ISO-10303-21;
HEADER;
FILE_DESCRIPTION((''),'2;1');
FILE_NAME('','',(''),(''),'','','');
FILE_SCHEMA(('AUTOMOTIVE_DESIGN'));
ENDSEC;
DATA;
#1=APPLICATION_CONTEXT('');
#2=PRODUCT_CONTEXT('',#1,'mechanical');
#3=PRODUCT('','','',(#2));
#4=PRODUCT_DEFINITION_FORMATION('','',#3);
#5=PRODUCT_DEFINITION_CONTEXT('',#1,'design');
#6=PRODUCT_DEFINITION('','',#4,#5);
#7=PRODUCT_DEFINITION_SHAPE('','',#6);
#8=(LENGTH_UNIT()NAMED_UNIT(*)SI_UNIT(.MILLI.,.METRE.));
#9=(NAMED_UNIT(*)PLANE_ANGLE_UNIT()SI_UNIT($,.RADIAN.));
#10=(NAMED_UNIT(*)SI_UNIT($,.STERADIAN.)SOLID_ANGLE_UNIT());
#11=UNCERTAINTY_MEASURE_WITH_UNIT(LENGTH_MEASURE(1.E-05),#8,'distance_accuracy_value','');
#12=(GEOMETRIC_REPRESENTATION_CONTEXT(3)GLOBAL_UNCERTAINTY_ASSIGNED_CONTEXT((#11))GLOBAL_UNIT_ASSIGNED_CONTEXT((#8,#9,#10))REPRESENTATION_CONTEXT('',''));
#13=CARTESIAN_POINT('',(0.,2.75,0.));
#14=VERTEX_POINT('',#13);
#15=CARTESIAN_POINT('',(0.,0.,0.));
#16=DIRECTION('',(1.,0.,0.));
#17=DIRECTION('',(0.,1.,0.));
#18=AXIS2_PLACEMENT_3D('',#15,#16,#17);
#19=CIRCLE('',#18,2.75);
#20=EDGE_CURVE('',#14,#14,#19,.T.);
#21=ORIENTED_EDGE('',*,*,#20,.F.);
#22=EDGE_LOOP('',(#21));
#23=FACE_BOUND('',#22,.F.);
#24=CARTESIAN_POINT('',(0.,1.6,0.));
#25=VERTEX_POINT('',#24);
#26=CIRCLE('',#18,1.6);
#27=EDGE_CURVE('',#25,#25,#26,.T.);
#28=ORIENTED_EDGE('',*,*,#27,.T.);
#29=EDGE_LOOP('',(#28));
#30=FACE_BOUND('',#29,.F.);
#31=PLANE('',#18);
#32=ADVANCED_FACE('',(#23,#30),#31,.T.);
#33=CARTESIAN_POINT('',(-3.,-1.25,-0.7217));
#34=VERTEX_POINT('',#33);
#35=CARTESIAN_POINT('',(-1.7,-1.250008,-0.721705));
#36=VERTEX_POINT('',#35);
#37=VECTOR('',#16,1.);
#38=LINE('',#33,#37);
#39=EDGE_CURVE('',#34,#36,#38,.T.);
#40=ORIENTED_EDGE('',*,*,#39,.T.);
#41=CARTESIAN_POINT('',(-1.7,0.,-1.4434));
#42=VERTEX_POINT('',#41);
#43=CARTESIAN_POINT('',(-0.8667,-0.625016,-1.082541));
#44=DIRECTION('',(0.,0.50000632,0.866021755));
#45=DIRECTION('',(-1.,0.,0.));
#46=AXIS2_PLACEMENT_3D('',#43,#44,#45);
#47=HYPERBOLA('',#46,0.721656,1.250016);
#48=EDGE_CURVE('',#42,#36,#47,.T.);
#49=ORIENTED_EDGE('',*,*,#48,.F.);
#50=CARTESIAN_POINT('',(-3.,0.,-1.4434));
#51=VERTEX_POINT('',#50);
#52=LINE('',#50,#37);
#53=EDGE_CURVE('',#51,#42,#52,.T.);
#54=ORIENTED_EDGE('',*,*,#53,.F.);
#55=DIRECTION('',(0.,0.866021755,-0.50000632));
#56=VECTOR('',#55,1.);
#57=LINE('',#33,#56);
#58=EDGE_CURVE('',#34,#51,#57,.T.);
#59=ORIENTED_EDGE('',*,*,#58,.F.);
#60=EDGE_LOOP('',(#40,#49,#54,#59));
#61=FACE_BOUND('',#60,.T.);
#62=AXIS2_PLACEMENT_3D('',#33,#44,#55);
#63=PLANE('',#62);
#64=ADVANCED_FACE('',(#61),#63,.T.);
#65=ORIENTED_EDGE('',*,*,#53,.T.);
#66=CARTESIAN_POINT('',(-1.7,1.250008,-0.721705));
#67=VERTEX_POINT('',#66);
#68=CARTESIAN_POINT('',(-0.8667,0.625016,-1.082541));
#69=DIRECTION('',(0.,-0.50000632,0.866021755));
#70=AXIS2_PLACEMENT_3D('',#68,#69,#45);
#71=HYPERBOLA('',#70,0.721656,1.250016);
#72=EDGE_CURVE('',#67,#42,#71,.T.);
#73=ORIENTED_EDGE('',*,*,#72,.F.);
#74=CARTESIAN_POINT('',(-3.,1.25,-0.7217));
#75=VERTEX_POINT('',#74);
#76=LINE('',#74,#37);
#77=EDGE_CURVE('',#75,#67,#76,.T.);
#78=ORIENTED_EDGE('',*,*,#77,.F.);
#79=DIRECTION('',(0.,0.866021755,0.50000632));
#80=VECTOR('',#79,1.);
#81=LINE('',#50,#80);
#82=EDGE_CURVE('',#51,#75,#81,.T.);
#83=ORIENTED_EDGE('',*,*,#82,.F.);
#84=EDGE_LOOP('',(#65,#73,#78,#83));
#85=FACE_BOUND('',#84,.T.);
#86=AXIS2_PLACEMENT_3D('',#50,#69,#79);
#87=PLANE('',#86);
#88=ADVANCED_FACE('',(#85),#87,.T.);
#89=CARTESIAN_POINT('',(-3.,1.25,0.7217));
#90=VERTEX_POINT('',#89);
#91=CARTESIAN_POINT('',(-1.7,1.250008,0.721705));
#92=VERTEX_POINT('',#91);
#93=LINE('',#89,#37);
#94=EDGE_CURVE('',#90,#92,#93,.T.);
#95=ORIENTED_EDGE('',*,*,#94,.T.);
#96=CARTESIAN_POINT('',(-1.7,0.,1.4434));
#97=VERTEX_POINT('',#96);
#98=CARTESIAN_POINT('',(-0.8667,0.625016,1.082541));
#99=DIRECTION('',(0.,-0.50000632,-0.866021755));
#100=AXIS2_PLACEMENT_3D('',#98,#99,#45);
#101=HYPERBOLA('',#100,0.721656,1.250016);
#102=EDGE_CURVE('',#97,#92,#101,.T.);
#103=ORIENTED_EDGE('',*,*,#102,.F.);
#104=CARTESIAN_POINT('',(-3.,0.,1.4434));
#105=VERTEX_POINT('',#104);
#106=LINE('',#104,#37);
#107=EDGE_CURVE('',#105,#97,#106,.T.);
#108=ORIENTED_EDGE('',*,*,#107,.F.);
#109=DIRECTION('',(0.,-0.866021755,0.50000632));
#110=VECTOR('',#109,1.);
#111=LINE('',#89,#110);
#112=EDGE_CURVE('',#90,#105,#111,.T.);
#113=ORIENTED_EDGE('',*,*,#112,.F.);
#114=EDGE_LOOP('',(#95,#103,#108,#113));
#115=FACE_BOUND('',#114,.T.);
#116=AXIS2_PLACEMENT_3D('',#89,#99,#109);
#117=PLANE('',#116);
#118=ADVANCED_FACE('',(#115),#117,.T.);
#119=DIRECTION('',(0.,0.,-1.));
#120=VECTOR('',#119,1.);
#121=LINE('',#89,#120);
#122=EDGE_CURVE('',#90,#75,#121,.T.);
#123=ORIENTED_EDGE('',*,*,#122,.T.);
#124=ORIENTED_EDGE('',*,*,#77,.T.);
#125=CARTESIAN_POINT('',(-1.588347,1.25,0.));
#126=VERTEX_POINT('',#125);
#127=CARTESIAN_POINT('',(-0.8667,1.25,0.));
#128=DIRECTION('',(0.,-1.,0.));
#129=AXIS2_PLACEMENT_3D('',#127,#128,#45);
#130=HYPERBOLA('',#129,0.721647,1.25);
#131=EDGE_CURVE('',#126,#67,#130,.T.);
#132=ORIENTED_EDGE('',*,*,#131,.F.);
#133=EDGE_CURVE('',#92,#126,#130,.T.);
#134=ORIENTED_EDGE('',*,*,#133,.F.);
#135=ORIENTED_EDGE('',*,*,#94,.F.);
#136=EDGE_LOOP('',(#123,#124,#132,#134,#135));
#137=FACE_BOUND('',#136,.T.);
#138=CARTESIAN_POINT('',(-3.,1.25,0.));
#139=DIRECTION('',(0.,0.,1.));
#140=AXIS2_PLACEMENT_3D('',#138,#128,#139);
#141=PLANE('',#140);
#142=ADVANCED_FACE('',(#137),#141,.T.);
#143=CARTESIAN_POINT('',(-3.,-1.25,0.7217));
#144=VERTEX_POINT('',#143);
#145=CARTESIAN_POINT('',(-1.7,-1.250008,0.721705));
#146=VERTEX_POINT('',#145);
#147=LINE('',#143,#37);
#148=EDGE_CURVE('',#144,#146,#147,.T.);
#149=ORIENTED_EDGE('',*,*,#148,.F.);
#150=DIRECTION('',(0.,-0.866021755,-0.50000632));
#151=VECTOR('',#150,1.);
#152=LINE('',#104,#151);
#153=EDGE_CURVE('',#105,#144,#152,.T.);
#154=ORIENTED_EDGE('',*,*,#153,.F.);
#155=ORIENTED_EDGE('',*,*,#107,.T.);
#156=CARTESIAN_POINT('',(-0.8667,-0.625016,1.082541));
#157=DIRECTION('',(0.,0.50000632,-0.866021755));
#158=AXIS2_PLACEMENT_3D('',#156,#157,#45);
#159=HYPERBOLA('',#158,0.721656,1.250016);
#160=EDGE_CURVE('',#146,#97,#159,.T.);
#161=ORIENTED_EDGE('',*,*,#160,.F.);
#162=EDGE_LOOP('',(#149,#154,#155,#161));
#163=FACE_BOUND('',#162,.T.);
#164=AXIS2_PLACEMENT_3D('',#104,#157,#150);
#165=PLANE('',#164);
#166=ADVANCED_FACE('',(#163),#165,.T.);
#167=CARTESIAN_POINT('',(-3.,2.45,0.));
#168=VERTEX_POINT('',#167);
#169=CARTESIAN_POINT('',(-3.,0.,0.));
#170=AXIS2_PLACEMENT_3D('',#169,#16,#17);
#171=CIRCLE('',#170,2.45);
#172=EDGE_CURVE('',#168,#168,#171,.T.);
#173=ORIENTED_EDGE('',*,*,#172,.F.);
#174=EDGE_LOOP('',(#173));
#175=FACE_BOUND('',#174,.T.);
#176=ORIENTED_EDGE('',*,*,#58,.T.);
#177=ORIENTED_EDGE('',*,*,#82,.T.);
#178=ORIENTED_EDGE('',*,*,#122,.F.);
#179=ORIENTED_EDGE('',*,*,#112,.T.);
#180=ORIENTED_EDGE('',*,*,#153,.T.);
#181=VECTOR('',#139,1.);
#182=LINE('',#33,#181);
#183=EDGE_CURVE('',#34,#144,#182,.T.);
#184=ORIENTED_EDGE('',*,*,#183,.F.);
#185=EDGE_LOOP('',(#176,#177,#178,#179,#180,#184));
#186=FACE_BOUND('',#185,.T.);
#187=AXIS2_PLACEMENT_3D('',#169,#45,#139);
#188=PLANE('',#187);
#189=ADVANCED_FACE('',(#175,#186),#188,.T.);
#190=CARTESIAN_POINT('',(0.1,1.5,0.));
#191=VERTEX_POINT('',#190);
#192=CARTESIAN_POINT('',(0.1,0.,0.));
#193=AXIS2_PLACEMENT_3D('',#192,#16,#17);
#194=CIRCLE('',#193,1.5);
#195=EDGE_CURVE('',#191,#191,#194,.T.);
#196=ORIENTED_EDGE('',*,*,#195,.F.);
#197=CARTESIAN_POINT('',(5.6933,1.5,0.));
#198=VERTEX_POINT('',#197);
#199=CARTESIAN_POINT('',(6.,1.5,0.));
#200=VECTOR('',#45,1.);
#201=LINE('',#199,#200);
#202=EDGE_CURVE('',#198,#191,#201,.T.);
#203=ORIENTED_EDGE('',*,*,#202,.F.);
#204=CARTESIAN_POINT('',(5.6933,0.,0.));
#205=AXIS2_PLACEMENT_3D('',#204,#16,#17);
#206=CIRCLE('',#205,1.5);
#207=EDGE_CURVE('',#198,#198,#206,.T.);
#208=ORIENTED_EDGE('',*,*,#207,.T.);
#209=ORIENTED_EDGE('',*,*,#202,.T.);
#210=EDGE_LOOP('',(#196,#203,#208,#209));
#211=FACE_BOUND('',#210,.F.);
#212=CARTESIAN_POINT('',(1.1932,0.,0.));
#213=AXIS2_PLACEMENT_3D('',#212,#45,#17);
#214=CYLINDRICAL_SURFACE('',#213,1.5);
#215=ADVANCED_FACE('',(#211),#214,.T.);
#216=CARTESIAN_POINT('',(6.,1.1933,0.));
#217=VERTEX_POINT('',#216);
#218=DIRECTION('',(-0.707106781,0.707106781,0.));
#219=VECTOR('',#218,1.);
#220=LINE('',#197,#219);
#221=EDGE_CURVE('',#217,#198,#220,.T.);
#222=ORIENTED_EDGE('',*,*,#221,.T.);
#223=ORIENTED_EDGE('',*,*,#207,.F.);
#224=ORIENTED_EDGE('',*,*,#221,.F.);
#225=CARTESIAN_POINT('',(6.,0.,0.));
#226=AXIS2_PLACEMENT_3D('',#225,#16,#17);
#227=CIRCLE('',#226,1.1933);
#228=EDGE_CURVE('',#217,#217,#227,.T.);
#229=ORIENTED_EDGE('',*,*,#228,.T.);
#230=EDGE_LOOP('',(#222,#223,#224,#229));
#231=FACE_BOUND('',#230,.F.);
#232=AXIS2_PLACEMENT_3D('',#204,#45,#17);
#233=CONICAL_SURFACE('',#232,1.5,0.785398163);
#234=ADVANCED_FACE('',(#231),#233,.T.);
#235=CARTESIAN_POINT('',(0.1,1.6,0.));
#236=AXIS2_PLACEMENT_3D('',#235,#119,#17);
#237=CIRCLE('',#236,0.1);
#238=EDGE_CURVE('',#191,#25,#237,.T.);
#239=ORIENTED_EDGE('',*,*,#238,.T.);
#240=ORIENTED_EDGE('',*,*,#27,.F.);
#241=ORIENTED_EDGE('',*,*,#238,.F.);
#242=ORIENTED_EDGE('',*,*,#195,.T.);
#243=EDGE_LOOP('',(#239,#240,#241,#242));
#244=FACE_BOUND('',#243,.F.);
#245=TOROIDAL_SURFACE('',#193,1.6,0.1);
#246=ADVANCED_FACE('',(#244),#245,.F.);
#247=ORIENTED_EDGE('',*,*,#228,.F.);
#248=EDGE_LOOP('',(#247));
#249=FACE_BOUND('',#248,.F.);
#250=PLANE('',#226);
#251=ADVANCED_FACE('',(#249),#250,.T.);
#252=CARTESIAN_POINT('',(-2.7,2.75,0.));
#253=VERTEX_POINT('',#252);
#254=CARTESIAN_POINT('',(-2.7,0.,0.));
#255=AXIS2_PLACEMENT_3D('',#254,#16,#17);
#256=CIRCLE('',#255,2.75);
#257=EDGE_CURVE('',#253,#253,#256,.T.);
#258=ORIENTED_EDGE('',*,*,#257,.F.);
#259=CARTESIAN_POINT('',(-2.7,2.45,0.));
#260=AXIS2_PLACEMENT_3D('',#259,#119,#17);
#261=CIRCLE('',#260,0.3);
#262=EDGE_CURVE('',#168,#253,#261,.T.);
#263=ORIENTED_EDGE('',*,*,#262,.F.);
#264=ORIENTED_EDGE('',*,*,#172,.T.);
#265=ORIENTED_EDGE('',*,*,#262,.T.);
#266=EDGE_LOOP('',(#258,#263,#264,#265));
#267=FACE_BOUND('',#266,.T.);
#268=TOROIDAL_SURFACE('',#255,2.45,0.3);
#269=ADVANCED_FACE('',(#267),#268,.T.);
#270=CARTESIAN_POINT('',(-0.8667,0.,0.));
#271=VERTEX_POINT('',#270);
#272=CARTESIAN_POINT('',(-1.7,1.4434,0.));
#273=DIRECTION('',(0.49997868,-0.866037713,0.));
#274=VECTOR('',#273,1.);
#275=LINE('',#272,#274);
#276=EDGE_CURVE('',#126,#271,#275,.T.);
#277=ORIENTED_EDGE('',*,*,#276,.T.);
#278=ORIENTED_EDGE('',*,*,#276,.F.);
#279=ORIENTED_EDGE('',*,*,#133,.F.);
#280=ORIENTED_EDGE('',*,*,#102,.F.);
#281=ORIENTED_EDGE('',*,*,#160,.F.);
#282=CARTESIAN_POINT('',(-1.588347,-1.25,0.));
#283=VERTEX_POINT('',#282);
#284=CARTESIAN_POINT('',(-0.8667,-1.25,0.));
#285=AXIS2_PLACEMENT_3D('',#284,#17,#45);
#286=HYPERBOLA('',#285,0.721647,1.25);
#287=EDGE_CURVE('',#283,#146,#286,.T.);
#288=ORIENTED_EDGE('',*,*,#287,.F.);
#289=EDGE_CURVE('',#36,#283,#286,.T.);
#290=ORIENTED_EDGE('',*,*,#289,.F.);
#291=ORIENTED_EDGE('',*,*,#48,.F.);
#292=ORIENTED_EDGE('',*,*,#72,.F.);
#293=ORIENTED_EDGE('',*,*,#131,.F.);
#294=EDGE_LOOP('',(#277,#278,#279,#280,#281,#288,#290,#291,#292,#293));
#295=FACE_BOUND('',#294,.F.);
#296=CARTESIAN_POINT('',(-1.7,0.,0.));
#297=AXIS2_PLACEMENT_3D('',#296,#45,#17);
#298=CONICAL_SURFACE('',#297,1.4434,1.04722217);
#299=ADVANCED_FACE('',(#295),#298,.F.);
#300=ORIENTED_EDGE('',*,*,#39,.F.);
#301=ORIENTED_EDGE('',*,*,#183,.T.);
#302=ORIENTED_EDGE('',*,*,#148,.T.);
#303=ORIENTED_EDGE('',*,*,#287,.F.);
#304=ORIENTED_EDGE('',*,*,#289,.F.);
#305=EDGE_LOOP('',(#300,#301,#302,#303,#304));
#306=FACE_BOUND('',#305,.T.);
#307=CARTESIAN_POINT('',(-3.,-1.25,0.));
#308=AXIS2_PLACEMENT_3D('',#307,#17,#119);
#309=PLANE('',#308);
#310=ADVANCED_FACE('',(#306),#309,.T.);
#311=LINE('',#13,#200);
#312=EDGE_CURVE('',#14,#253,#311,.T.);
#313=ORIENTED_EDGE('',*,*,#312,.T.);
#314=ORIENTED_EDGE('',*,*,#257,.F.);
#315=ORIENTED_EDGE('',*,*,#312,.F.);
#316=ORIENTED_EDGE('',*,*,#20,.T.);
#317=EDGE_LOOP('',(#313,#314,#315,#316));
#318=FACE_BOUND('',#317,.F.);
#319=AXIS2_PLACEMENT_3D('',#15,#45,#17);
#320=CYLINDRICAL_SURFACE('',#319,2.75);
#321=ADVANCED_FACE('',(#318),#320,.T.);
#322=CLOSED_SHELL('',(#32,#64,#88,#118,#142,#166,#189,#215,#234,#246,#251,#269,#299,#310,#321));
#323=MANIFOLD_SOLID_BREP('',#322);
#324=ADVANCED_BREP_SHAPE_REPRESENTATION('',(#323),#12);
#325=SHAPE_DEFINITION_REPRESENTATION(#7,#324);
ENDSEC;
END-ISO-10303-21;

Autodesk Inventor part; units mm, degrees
ref_plane "YZ Plane" through (0, 0, 0) normal (1, 0, 0) x (0, 1, 0)
ref_plane "XZ Plane" through (0, 0, 0) normal (0, 1, 0) x (-1, 0, 0)
sketch "Sketch1" plane through (0, 0, 0) normal (0, 0, 1) x (1, 0, 0)
  line L0 (-0.8667, 0) -> (6, 0)
  line L1 (6, 0) -> (6, 1.5)
  line L2 (6, 1.5) -> (1.5, 1.5)
  line L3 (1.5, 1.5) -> (1.1932, 1.5)
  line L4 (1.1932, 1.5) -> (0, 1.5)
  line L5 (0, 1.5) -> (0, 2.75)
  line L6 (0, 2.75) -> (-3, 2.75)
  line L7 (-3, 2.75) -> (-3, 1.4434)
  line L8 (-3, 1.4434) -> (-1.7, 1.4434)
  line L9 (-1.7, 1.4434) -> (-0.8667, 0)
  line L10 (-4.8, 0) -> (7.8, 0) projected
  line L11 (0, -0.55) -> (0, 3.3) projected
  line L12 (1.5, 1.5) -> (0, 1.5) construction
  dimension "d1" = 4.5
  dimension "d2" = 0.3068
  dimension "d3" = 3
  dimension "d4" = 1.3
  dimension "d5" = 60
  dimension "d6" = 3
  dimension "d7" = 3
  dimension "d8" = 2.8868
  dimension "d9" = 5.5
  dimension "d26" = 6
revolve "Body" add sketch "Sketch1" angle 360 about axis through (-0.8667, 0, 0) along (1, 0, 0)
sketch "Sketch2" plane through (-3, 0, 0) normal (-1, 0, 0) x (0, 0, 1)
  circle A0 centre (0, 0) radius 1.4434 projected
  line L0 (0, -3.85) -> (0, 3.85) projected
  line L1 (-3.85, 0) -> (3.85, 0) projected
  line L2 (1.4434, 0) -> (0.7217, -1.25)
  line L3 (0.7217, -1.25) -> (-0.7217, -1.25)
  line L4 (-0.7217, -1.25) -> (-1.4434, 0)
  line L5 (-1.4434, 0) -> (-0.7217, 1.25)
  line L6 (-0.7217, 1.25) -> (0.7217, 1.25)
  line L7 (0.7217, 1.25) -> (1.4434, 0)
  point P0 (0, 0)
extrude "Slot" add sketch "Sketch2" against normal up to next contours L7 A0 | A0 L2 | L6 L0 A0 | A0 L0 L3 | L0 L6 A0 | A0 L3 L0 | L4 A0 | A0 L5
fillet "Fillet1" radius 0.3 1 edges at (-3, -2.75, 0)
thread "Thread" size "M3x0.5" class "6g" standard "ISO Metric profile" length 4.5
chamfer "Chamfer1" distance 0.3067 distance2 0.3067 1 edges at (6, -1.5, 0) measured on face at (6, -0.2617, -0.7882)
ref_plane "Work Plane1" through (29, 0, 0) normal (0, -1, 0) x (1, 0, 0)
fillet "Fillet2" radius 0.1 1 edges at (0, -1.5, 0)
equation "\"d1\" = GEL"
equation "\"d3\" = KOH"
equation "\"d4\" = INTI"
equation "\"d6\" = GD"
equation "\"d7\" = BDM"
equation "\"d8\" = 1.1547 * SW"
equation "\"d9\" = KOD"
equation "\"d26\" = NLG"
equation "\"d30\" = R"
equation "\"d17\" = RR"
equation "\"d13\" = GEL"
equation "\"d15\" = -0.5 * SPD + 0.5 * GD"
equation "\"d16\" = GUL"
equation "\"GD\" = 3"
equation "\"NLG\" = 6"
equation "\"GEL\" = 4.5"
equation "\"KOD\" = 5.5"
equation "\"KOH\" = 3"
equation "\"INTI\" = 1.3"
equation "\"GAL\" = 0.61345 * PTC"
equation "\"GUL\" = 0.61345 * PTC"
equation "\"BDM\" = NND"
equation "\"SW\" = 2.5"
equation "\"RR\" = 0.3"
equation "\"SPD\" = NND - 1.2269 * PTC"
equation "\"R\" = 0.1"
equation "\"TOA\" = 30deg"
equation "\"GD1\" = THREADDIA - 1.2269 * PTC"
equation "\"THREADDIA\" = 3"
equation "\"FAWI\" = 45deg"
equation "\"PTC\" = 0.5"
equation "\"NND\" = 3"
equation "\"E0\" = 1.155 * SW"
properties part number "ISO 4762  - M3 x 6" material "Stainless Steel, 440C"
